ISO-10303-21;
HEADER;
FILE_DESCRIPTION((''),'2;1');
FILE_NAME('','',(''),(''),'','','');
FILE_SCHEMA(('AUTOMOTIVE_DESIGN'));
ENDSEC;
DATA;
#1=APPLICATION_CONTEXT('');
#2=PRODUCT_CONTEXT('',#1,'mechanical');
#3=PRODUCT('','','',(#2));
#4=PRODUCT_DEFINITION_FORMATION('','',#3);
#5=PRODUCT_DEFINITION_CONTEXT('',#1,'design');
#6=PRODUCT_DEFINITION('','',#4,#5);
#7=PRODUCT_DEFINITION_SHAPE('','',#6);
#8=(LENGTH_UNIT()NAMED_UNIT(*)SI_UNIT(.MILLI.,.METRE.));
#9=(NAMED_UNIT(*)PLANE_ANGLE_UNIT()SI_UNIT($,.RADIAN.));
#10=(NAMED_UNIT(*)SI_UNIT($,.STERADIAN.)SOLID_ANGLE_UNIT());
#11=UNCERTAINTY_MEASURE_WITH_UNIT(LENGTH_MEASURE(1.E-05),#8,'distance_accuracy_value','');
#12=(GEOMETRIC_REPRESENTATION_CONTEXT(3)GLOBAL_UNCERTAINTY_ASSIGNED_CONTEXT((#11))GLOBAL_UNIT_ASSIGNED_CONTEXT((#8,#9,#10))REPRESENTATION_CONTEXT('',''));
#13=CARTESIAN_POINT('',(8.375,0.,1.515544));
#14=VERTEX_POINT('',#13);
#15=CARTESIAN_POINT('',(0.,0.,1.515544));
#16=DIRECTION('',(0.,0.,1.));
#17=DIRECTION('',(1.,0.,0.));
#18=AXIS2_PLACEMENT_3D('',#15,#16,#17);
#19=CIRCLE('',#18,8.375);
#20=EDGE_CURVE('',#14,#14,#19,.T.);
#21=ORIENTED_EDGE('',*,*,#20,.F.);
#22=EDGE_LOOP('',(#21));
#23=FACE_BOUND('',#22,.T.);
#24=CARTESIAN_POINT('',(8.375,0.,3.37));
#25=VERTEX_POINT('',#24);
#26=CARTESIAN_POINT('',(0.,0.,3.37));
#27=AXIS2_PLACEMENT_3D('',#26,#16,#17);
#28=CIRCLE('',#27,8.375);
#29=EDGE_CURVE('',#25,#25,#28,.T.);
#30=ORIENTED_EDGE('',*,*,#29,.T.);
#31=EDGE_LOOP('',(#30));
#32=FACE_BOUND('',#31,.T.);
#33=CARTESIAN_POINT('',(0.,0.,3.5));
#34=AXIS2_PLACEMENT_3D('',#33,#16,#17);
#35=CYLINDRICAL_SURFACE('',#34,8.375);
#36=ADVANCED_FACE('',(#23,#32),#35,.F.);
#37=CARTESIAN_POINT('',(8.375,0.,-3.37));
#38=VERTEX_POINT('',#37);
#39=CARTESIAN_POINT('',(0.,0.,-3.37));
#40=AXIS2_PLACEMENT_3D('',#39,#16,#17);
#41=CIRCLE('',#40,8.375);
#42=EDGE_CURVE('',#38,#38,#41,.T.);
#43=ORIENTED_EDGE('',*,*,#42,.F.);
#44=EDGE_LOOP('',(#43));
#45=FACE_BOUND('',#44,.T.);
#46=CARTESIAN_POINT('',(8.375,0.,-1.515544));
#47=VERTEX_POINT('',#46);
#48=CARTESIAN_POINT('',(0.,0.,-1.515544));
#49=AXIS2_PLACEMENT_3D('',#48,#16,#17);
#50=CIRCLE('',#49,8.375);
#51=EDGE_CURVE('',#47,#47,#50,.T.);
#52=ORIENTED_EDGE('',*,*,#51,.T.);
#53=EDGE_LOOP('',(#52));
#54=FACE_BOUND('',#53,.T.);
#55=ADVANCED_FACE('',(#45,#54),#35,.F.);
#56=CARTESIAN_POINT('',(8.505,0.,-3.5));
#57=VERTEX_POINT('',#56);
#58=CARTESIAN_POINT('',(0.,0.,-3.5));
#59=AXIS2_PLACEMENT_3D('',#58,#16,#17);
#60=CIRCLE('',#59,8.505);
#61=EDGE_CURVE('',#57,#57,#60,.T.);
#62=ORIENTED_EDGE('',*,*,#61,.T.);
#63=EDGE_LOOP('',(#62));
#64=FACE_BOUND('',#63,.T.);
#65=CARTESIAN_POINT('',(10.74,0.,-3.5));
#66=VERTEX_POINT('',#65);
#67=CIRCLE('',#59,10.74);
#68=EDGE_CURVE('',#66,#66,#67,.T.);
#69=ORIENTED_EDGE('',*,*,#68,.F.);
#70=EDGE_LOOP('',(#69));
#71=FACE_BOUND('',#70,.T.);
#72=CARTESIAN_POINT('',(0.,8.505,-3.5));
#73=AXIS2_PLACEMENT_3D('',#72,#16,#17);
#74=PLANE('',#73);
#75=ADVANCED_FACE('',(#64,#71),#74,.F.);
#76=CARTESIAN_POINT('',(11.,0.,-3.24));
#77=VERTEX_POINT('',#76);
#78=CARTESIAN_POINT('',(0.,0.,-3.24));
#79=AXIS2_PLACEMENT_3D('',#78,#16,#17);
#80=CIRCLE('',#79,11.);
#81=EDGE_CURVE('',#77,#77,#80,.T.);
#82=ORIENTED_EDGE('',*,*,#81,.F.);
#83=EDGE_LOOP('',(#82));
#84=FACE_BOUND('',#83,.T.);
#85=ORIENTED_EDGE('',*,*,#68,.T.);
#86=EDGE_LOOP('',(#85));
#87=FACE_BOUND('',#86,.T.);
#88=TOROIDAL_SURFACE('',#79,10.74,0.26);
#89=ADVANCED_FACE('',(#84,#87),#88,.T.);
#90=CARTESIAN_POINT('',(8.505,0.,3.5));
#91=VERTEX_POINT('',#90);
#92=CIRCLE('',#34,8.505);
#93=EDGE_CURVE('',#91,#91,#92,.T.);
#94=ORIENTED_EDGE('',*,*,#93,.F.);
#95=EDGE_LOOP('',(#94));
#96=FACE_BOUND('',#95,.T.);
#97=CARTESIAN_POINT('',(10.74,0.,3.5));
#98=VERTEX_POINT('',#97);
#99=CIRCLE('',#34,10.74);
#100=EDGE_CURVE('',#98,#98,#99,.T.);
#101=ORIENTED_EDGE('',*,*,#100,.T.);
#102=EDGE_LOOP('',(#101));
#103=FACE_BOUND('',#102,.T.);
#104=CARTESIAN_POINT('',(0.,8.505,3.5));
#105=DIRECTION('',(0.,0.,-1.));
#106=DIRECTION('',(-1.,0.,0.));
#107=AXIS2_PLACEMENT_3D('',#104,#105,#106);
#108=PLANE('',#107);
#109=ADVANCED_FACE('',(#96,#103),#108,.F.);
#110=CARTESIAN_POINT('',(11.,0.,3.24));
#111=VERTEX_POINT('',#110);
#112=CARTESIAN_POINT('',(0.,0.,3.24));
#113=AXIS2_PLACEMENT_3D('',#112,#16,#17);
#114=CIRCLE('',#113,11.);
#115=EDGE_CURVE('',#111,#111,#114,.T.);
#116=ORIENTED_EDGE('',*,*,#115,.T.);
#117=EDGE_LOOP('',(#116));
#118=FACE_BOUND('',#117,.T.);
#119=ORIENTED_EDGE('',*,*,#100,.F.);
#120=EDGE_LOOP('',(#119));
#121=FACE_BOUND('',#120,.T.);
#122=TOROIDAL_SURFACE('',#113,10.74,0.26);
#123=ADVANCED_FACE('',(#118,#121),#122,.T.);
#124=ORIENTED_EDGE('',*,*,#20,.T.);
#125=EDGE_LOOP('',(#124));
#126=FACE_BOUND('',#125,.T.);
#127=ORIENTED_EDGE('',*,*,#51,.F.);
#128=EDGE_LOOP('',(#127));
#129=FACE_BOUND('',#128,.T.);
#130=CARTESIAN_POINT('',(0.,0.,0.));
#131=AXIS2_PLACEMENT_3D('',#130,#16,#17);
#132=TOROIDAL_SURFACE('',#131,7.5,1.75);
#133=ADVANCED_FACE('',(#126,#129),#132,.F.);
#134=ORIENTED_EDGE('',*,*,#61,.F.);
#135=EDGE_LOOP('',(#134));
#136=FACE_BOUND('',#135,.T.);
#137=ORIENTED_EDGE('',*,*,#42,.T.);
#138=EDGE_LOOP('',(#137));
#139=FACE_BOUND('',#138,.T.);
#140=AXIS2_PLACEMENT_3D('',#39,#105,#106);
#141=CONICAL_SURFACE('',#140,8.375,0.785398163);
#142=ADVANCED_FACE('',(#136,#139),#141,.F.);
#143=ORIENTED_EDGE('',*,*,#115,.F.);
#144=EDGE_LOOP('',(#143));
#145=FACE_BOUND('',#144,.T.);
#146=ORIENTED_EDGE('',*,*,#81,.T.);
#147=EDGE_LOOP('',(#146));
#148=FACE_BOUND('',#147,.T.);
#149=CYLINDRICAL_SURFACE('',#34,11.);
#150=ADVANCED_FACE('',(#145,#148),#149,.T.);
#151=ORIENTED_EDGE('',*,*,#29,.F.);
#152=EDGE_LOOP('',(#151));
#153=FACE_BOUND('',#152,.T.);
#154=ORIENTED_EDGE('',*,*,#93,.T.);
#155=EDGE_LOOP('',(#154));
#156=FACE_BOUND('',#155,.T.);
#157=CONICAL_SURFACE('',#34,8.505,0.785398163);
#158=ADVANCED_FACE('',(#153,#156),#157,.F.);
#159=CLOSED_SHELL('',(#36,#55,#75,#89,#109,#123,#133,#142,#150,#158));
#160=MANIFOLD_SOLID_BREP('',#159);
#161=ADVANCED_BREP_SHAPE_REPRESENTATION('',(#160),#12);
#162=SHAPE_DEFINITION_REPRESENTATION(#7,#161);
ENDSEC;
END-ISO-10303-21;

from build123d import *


with BuildPart() as part:
    # Sketch1 → Revolve1 (revolve)
    with BuildSketch(Plane(origin=(0, 0, 0), x_dir=(0, 0, -1), z_dir=(1, 0, 0)), mode=Mode.PRIVATE) as revolve1_sk:
        with BuildLine():
            Line((-3.37, 8.375), (-1.515544457, 8.375))
            ThreePointArc((-1.515544457, 8.375), (0, 9.25), (1.515544457, 8.375))
            Line((1.515544457, 8.375), (3.37, 8.375))
            Line((3.37, 8.375), (3.5, 8.505))
            Line((3.5, 8.505), (3.5, 10.74))
            ThreePointArc((3.5, 10.74), (3.423847763, 10.923847763), (3.24, 11))
            Line((3.24, 11), (-3.24, 11))
            ThreePointArc((-3.24, 11), (-3.423847763, 10.923847763), (-3.5, 10.74))
            Line((-3.5, 10.74), (-3.5, 8.505))
            Line((-3.5, 8.505), (-3.37, 8.375))
        make_face()
    revolve(revolve1_sk.sketch.rotate(Axis((0, 0, 3.5), (0, 0, -1)), 90), axis=Axis((0, 0, 3.5), (0, 0, -1)))


solid = part.part
